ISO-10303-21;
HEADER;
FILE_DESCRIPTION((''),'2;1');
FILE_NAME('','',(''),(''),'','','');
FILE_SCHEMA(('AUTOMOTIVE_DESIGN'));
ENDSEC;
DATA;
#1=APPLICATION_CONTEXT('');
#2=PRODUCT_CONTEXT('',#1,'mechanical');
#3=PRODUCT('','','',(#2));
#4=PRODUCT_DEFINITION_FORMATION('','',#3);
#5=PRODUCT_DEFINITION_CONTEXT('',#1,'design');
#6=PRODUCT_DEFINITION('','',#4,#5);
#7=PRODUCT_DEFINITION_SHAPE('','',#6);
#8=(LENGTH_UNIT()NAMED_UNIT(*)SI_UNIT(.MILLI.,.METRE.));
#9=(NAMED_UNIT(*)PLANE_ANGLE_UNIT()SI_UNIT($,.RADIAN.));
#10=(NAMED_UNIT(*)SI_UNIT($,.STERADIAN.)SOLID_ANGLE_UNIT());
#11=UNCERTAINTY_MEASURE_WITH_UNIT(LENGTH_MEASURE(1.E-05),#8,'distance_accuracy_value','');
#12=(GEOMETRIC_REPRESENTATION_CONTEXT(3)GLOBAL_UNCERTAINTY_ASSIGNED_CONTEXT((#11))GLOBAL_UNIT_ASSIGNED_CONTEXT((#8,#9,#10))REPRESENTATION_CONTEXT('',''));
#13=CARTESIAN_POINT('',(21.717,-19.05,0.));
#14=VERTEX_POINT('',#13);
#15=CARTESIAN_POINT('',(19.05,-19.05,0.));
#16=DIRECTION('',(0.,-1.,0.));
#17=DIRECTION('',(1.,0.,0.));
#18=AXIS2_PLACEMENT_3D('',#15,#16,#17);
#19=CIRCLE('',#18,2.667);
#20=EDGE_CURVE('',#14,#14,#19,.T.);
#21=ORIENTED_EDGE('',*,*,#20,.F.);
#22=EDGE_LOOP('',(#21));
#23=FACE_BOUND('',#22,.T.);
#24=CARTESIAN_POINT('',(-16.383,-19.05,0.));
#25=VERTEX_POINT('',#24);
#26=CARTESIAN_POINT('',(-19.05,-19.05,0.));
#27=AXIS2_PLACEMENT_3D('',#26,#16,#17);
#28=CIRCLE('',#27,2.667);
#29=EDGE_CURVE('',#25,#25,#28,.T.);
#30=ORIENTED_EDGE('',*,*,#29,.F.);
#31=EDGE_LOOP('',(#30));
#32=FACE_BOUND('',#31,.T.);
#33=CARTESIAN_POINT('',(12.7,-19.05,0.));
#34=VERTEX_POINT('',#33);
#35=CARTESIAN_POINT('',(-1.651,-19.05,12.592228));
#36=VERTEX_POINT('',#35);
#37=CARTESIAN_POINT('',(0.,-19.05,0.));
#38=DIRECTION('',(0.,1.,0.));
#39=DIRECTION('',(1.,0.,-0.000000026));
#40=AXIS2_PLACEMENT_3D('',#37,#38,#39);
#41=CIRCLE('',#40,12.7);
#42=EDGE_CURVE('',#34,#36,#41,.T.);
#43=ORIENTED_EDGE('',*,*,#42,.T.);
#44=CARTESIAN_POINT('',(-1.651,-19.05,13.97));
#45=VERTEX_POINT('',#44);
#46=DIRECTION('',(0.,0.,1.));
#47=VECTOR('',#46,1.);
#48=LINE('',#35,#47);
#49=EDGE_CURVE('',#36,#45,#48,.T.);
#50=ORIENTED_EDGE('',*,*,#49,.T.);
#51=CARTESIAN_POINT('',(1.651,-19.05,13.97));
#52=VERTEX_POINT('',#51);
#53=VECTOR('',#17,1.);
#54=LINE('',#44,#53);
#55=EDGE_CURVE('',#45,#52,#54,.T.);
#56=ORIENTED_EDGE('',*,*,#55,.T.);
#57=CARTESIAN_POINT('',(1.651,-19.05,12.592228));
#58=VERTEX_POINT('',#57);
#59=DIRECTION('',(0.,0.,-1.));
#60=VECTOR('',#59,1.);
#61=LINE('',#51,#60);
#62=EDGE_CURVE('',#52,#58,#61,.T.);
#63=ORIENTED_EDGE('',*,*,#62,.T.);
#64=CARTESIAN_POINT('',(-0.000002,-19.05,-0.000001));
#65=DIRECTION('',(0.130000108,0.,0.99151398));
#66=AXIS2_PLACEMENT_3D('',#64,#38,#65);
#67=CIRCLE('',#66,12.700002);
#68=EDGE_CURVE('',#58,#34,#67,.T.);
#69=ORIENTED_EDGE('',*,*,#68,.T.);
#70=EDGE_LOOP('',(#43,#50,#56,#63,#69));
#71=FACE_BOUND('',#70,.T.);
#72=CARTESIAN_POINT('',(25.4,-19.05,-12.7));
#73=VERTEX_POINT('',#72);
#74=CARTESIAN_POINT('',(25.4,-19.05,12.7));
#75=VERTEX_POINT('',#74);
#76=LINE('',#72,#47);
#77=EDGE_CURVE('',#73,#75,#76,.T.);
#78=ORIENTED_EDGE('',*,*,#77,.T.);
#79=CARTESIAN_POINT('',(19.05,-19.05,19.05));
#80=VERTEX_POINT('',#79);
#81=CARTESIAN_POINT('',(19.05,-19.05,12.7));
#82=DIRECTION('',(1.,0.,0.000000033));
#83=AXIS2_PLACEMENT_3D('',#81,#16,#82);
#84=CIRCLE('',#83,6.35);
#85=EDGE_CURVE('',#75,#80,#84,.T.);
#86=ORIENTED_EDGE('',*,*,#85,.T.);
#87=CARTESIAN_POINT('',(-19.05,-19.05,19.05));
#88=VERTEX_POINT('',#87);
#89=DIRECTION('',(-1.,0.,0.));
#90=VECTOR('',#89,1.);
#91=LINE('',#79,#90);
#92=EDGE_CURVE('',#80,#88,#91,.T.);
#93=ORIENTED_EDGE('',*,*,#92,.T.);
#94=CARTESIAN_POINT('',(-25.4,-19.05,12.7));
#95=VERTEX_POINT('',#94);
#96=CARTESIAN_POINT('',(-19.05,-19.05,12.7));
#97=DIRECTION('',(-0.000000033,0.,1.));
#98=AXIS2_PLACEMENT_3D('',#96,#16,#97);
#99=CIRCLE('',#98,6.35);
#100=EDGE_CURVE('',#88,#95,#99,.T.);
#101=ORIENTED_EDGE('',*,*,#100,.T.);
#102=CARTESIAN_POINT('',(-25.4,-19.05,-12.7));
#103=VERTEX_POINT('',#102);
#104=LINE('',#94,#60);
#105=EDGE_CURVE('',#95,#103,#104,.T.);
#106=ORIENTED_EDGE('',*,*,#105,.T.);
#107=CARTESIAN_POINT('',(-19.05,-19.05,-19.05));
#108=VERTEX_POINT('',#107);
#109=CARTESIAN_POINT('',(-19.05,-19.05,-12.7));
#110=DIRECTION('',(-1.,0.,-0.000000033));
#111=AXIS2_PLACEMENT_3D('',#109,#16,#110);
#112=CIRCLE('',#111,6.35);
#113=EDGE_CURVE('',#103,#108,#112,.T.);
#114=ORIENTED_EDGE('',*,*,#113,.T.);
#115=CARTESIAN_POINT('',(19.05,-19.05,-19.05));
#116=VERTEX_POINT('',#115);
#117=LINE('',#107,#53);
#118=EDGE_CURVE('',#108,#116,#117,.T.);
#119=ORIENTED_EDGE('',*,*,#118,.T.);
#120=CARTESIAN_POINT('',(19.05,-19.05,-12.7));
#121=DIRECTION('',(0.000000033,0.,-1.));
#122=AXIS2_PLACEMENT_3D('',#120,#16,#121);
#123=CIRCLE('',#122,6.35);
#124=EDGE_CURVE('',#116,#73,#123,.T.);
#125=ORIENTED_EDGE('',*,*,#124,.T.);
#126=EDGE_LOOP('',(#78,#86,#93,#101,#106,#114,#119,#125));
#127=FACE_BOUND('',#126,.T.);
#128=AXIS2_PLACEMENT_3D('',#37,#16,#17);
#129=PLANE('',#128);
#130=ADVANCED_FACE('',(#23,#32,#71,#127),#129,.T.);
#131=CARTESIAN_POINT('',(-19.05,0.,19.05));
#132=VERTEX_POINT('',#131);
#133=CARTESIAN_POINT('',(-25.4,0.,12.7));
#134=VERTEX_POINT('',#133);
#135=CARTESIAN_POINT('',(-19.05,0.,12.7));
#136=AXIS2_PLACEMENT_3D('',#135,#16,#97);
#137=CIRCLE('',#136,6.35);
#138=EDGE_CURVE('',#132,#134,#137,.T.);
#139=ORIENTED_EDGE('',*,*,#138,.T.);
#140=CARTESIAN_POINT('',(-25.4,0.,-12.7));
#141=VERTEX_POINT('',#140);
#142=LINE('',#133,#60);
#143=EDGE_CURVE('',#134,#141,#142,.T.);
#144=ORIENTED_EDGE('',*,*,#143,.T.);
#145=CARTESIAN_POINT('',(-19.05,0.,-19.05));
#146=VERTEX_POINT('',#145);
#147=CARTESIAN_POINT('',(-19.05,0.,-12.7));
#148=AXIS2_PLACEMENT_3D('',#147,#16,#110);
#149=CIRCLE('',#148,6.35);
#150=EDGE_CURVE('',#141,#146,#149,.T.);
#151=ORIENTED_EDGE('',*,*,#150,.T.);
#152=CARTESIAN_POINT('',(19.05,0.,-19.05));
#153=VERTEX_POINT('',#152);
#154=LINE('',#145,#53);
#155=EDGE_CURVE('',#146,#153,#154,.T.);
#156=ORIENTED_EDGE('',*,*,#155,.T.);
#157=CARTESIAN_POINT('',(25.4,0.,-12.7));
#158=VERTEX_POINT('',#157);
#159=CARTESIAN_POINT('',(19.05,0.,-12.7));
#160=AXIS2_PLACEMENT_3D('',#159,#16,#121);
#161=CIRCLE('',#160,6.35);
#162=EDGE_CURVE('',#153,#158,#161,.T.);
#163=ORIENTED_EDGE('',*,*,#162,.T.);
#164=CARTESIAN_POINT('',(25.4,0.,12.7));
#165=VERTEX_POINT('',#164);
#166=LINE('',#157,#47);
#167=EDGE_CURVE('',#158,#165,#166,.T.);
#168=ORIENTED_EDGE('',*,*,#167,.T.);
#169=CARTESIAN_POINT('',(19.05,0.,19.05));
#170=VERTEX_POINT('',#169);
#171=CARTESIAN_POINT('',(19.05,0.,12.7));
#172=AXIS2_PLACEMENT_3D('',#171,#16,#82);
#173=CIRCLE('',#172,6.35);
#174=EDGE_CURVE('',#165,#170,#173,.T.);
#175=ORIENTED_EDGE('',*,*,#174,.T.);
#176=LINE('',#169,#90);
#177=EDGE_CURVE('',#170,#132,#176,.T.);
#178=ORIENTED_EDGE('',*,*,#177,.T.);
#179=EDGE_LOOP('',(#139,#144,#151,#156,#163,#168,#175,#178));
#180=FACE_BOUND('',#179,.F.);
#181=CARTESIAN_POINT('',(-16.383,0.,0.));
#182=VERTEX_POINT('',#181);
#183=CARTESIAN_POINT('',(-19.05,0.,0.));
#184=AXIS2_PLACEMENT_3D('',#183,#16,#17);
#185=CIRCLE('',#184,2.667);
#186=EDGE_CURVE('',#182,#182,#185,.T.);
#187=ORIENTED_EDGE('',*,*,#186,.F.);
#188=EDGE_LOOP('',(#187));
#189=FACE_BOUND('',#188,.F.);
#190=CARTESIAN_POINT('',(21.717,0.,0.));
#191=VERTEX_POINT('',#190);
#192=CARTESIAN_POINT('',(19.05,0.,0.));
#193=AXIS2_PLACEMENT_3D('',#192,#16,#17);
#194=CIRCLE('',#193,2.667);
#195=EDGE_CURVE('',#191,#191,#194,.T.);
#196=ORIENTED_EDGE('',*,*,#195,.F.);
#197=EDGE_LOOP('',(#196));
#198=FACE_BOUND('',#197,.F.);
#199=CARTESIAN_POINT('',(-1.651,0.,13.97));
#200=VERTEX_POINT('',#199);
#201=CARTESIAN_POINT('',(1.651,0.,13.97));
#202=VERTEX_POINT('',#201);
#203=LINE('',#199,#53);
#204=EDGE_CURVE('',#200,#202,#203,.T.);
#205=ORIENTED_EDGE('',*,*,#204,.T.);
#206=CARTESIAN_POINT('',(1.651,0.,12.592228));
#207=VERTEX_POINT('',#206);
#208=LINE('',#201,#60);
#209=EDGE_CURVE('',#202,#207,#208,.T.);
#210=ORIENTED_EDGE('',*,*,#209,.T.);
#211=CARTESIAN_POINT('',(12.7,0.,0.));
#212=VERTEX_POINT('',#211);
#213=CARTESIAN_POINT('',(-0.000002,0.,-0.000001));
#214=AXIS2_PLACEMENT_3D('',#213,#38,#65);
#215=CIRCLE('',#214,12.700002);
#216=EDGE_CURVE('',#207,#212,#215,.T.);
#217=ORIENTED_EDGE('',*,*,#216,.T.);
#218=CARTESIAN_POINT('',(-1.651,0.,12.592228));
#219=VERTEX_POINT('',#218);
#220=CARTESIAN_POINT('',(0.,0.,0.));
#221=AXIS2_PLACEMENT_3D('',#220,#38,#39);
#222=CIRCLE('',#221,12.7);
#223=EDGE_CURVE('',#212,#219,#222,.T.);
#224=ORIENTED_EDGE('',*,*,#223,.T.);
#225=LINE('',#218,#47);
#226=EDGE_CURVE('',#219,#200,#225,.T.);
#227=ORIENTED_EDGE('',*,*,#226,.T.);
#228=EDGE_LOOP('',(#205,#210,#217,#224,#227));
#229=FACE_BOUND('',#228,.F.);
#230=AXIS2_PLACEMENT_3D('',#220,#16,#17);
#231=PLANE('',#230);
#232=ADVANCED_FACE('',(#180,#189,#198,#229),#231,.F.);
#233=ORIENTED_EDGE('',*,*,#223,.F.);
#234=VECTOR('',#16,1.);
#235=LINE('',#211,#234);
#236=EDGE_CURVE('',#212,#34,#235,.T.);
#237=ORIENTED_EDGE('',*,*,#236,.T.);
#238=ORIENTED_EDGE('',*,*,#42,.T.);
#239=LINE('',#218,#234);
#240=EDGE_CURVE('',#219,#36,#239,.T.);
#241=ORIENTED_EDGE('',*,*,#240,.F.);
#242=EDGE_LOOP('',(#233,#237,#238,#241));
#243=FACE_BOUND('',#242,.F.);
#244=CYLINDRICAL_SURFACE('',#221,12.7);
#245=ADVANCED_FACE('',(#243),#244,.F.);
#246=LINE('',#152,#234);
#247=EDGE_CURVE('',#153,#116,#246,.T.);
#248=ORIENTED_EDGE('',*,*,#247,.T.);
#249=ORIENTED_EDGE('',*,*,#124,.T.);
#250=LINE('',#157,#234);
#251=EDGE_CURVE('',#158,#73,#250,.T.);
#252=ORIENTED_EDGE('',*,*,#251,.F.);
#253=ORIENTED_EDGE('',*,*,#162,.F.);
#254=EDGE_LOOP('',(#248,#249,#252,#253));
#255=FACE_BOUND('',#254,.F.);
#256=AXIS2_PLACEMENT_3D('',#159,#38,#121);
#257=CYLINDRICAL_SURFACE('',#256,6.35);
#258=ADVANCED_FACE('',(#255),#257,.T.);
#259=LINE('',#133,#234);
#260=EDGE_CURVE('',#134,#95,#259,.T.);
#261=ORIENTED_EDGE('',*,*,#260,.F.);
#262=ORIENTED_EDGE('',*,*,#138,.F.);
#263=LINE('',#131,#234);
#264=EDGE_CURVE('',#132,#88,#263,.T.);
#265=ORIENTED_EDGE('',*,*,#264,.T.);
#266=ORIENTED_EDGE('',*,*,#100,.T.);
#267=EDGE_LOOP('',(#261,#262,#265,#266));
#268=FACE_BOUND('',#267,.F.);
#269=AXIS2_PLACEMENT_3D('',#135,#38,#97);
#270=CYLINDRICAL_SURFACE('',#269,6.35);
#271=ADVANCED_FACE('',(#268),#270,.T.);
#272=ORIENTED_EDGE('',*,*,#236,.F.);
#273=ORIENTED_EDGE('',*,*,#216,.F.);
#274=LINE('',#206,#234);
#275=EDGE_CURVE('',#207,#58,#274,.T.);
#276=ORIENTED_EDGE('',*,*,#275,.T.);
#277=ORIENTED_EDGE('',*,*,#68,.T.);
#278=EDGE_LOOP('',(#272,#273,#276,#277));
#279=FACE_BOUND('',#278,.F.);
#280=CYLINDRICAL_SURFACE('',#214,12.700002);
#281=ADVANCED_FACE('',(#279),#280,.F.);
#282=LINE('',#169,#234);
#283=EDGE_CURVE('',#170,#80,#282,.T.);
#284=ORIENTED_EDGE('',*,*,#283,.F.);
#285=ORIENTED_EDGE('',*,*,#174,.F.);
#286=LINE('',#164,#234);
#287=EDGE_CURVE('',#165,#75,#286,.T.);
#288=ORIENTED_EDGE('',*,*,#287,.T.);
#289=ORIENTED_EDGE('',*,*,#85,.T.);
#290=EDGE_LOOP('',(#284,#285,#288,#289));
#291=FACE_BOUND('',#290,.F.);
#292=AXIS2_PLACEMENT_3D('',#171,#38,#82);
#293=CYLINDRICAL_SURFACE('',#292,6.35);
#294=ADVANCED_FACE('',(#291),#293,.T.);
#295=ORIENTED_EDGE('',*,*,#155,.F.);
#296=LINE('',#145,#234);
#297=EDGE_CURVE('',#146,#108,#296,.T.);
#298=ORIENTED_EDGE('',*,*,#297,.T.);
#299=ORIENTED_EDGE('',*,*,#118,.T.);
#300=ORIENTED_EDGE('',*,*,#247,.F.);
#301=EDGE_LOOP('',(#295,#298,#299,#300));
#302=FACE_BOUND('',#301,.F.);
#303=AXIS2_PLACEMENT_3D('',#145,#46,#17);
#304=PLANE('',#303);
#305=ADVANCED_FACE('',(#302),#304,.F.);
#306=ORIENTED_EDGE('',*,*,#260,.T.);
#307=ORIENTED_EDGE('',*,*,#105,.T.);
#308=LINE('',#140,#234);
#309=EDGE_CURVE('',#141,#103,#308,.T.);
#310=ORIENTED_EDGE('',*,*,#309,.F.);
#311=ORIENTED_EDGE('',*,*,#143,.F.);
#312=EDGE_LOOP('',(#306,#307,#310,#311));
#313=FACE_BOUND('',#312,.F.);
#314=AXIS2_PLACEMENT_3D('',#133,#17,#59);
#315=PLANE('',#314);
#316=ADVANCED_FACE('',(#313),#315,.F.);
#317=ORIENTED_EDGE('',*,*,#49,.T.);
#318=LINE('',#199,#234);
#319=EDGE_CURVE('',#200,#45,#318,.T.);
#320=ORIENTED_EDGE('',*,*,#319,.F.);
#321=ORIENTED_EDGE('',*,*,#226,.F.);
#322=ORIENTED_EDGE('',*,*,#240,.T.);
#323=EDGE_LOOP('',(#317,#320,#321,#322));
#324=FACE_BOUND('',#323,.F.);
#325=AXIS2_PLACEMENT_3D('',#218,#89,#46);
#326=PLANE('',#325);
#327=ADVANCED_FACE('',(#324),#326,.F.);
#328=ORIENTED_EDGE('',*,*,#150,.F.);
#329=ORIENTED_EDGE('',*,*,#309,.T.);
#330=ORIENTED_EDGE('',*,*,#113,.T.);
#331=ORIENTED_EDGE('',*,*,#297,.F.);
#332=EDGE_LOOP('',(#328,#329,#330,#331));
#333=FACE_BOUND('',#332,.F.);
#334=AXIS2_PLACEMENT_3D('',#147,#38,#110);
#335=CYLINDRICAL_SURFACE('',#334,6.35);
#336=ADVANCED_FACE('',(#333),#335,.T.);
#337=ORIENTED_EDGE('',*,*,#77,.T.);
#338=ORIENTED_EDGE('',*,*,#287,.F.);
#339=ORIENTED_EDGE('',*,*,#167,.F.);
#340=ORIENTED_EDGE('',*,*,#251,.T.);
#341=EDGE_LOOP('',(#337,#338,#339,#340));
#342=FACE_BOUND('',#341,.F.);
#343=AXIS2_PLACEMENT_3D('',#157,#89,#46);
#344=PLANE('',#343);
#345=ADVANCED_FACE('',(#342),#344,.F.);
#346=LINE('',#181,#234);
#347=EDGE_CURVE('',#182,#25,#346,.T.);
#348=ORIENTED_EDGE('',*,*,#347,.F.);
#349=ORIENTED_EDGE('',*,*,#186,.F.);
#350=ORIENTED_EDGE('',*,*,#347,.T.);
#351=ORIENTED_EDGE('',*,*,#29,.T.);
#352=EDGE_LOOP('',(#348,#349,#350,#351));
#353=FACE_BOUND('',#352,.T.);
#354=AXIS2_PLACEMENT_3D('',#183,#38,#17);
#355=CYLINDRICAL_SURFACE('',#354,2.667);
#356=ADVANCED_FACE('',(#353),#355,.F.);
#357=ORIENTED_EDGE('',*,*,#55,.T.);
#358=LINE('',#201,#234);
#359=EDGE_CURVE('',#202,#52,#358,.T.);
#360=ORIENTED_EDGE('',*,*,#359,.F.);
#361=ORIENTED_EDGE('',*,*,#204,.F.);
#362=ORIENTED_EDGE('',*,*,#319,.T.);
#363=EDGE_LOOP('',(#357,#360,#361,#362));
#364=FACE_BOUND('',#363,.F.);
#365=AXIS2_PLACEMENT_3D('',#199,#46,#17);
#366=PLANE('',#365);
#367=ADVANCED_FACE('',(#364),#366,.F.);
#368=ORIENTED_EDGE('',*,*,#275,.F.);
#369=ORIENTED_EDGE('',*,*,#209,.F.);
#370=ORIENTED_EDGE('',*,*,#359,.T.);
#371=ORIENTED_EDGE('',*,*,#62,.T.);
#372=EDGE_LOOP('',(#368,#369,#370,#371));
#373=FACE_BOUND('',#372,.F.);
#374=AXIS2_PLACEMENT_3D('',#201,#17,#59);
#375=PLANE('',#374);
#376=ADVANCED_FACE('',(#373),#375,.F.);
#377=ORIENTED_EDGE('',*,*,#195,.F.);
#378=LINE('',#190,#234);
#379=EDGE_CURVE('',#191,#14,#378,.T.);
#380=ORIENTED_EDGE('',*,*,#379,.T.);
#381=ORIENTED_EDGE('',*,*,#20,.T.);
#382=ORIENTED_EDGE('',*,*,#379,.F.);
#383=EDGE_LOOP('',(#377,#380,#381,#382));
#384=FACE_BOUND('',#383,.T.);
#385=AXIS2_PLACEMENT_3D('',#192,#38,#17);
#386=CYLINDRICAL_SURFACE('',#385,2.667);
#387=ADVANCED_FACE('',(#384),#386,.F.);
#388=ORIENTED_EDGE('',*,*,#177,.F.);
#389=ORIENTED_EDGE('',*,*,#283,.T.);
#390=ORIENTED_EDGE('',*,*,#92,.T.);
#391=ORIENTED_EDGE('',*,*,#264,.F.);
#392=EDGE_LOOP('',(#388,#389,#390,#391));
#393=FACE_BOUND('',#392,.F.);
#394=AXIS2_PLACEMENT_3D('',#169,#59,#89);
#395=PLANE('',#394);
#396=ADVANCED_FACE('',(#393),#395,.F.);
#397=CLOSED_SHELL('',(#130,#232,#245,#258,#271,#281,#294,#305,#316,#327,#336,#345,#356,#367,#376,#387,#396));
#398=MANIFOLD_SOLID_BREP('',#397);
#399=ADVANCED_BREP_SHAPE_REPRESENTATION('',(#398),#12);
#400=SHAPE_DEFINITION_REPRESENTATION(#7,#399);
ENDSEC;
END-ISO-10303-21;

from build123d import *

# Parameters (mm, degrees)
F0_R     = 2.667
F1_DEPTH = 19.05


with BuildPart() as f1:
    # F0 (on Front) → F1 (new body)
    with BuildSketch(Plane.XZ):
        with BuildLine():
            ThreePointArc((25.4, 12.7), (23.540128, 17.190128), (19.05, 19.05))
            Line((19.05, 19.05), (-19.05, 19.05))
            ThreePointArc((-19.05, 19.05), (-23.540128, 17.190128), (-25.4, 12.7))
            Line((-25.4, 12.7), (-25.4, -12.7))
            ThreePointArc((-25.4, -12.7), (-23.540128, -17.190128), (-19.05, -19.05))
            Line((-19.05, -19.05), (19.05, -19.05))
            ThreePointArc((19.05, -19.05), (23.540128, -17.190128), (25.4, -12.7))
            Line((25.4, -12.7), (25.4, 12.7))
        make_face()
        with Locations((-19.05, 0)):
            Circle(F0_R, mode=Mode.SUBTRACT)
        with BuildLine():
            ThreePointArc((1.651, 12.592228), (9.546143, 8.376225), (12.7, 0))
            ThreePointArc((12.7, 0), (-8.376225, -9.546143), (-1.651, 12.592228))
            Line((-1.651, 12.592228), (-1.651, 13.97))
            Line((-1.651, 13.97), (1.651, 13.97))
            Line((1.651, 13.97), (1.651, 12.592228))
        make_face(mode=Mode.SUBTRACT)
        with Locations((19.05, 0)):
            Circle(F0_R, mode=Mode.SUBTRACT)
    extrude(amount=F1_DEPTH)


solid = f1.part
